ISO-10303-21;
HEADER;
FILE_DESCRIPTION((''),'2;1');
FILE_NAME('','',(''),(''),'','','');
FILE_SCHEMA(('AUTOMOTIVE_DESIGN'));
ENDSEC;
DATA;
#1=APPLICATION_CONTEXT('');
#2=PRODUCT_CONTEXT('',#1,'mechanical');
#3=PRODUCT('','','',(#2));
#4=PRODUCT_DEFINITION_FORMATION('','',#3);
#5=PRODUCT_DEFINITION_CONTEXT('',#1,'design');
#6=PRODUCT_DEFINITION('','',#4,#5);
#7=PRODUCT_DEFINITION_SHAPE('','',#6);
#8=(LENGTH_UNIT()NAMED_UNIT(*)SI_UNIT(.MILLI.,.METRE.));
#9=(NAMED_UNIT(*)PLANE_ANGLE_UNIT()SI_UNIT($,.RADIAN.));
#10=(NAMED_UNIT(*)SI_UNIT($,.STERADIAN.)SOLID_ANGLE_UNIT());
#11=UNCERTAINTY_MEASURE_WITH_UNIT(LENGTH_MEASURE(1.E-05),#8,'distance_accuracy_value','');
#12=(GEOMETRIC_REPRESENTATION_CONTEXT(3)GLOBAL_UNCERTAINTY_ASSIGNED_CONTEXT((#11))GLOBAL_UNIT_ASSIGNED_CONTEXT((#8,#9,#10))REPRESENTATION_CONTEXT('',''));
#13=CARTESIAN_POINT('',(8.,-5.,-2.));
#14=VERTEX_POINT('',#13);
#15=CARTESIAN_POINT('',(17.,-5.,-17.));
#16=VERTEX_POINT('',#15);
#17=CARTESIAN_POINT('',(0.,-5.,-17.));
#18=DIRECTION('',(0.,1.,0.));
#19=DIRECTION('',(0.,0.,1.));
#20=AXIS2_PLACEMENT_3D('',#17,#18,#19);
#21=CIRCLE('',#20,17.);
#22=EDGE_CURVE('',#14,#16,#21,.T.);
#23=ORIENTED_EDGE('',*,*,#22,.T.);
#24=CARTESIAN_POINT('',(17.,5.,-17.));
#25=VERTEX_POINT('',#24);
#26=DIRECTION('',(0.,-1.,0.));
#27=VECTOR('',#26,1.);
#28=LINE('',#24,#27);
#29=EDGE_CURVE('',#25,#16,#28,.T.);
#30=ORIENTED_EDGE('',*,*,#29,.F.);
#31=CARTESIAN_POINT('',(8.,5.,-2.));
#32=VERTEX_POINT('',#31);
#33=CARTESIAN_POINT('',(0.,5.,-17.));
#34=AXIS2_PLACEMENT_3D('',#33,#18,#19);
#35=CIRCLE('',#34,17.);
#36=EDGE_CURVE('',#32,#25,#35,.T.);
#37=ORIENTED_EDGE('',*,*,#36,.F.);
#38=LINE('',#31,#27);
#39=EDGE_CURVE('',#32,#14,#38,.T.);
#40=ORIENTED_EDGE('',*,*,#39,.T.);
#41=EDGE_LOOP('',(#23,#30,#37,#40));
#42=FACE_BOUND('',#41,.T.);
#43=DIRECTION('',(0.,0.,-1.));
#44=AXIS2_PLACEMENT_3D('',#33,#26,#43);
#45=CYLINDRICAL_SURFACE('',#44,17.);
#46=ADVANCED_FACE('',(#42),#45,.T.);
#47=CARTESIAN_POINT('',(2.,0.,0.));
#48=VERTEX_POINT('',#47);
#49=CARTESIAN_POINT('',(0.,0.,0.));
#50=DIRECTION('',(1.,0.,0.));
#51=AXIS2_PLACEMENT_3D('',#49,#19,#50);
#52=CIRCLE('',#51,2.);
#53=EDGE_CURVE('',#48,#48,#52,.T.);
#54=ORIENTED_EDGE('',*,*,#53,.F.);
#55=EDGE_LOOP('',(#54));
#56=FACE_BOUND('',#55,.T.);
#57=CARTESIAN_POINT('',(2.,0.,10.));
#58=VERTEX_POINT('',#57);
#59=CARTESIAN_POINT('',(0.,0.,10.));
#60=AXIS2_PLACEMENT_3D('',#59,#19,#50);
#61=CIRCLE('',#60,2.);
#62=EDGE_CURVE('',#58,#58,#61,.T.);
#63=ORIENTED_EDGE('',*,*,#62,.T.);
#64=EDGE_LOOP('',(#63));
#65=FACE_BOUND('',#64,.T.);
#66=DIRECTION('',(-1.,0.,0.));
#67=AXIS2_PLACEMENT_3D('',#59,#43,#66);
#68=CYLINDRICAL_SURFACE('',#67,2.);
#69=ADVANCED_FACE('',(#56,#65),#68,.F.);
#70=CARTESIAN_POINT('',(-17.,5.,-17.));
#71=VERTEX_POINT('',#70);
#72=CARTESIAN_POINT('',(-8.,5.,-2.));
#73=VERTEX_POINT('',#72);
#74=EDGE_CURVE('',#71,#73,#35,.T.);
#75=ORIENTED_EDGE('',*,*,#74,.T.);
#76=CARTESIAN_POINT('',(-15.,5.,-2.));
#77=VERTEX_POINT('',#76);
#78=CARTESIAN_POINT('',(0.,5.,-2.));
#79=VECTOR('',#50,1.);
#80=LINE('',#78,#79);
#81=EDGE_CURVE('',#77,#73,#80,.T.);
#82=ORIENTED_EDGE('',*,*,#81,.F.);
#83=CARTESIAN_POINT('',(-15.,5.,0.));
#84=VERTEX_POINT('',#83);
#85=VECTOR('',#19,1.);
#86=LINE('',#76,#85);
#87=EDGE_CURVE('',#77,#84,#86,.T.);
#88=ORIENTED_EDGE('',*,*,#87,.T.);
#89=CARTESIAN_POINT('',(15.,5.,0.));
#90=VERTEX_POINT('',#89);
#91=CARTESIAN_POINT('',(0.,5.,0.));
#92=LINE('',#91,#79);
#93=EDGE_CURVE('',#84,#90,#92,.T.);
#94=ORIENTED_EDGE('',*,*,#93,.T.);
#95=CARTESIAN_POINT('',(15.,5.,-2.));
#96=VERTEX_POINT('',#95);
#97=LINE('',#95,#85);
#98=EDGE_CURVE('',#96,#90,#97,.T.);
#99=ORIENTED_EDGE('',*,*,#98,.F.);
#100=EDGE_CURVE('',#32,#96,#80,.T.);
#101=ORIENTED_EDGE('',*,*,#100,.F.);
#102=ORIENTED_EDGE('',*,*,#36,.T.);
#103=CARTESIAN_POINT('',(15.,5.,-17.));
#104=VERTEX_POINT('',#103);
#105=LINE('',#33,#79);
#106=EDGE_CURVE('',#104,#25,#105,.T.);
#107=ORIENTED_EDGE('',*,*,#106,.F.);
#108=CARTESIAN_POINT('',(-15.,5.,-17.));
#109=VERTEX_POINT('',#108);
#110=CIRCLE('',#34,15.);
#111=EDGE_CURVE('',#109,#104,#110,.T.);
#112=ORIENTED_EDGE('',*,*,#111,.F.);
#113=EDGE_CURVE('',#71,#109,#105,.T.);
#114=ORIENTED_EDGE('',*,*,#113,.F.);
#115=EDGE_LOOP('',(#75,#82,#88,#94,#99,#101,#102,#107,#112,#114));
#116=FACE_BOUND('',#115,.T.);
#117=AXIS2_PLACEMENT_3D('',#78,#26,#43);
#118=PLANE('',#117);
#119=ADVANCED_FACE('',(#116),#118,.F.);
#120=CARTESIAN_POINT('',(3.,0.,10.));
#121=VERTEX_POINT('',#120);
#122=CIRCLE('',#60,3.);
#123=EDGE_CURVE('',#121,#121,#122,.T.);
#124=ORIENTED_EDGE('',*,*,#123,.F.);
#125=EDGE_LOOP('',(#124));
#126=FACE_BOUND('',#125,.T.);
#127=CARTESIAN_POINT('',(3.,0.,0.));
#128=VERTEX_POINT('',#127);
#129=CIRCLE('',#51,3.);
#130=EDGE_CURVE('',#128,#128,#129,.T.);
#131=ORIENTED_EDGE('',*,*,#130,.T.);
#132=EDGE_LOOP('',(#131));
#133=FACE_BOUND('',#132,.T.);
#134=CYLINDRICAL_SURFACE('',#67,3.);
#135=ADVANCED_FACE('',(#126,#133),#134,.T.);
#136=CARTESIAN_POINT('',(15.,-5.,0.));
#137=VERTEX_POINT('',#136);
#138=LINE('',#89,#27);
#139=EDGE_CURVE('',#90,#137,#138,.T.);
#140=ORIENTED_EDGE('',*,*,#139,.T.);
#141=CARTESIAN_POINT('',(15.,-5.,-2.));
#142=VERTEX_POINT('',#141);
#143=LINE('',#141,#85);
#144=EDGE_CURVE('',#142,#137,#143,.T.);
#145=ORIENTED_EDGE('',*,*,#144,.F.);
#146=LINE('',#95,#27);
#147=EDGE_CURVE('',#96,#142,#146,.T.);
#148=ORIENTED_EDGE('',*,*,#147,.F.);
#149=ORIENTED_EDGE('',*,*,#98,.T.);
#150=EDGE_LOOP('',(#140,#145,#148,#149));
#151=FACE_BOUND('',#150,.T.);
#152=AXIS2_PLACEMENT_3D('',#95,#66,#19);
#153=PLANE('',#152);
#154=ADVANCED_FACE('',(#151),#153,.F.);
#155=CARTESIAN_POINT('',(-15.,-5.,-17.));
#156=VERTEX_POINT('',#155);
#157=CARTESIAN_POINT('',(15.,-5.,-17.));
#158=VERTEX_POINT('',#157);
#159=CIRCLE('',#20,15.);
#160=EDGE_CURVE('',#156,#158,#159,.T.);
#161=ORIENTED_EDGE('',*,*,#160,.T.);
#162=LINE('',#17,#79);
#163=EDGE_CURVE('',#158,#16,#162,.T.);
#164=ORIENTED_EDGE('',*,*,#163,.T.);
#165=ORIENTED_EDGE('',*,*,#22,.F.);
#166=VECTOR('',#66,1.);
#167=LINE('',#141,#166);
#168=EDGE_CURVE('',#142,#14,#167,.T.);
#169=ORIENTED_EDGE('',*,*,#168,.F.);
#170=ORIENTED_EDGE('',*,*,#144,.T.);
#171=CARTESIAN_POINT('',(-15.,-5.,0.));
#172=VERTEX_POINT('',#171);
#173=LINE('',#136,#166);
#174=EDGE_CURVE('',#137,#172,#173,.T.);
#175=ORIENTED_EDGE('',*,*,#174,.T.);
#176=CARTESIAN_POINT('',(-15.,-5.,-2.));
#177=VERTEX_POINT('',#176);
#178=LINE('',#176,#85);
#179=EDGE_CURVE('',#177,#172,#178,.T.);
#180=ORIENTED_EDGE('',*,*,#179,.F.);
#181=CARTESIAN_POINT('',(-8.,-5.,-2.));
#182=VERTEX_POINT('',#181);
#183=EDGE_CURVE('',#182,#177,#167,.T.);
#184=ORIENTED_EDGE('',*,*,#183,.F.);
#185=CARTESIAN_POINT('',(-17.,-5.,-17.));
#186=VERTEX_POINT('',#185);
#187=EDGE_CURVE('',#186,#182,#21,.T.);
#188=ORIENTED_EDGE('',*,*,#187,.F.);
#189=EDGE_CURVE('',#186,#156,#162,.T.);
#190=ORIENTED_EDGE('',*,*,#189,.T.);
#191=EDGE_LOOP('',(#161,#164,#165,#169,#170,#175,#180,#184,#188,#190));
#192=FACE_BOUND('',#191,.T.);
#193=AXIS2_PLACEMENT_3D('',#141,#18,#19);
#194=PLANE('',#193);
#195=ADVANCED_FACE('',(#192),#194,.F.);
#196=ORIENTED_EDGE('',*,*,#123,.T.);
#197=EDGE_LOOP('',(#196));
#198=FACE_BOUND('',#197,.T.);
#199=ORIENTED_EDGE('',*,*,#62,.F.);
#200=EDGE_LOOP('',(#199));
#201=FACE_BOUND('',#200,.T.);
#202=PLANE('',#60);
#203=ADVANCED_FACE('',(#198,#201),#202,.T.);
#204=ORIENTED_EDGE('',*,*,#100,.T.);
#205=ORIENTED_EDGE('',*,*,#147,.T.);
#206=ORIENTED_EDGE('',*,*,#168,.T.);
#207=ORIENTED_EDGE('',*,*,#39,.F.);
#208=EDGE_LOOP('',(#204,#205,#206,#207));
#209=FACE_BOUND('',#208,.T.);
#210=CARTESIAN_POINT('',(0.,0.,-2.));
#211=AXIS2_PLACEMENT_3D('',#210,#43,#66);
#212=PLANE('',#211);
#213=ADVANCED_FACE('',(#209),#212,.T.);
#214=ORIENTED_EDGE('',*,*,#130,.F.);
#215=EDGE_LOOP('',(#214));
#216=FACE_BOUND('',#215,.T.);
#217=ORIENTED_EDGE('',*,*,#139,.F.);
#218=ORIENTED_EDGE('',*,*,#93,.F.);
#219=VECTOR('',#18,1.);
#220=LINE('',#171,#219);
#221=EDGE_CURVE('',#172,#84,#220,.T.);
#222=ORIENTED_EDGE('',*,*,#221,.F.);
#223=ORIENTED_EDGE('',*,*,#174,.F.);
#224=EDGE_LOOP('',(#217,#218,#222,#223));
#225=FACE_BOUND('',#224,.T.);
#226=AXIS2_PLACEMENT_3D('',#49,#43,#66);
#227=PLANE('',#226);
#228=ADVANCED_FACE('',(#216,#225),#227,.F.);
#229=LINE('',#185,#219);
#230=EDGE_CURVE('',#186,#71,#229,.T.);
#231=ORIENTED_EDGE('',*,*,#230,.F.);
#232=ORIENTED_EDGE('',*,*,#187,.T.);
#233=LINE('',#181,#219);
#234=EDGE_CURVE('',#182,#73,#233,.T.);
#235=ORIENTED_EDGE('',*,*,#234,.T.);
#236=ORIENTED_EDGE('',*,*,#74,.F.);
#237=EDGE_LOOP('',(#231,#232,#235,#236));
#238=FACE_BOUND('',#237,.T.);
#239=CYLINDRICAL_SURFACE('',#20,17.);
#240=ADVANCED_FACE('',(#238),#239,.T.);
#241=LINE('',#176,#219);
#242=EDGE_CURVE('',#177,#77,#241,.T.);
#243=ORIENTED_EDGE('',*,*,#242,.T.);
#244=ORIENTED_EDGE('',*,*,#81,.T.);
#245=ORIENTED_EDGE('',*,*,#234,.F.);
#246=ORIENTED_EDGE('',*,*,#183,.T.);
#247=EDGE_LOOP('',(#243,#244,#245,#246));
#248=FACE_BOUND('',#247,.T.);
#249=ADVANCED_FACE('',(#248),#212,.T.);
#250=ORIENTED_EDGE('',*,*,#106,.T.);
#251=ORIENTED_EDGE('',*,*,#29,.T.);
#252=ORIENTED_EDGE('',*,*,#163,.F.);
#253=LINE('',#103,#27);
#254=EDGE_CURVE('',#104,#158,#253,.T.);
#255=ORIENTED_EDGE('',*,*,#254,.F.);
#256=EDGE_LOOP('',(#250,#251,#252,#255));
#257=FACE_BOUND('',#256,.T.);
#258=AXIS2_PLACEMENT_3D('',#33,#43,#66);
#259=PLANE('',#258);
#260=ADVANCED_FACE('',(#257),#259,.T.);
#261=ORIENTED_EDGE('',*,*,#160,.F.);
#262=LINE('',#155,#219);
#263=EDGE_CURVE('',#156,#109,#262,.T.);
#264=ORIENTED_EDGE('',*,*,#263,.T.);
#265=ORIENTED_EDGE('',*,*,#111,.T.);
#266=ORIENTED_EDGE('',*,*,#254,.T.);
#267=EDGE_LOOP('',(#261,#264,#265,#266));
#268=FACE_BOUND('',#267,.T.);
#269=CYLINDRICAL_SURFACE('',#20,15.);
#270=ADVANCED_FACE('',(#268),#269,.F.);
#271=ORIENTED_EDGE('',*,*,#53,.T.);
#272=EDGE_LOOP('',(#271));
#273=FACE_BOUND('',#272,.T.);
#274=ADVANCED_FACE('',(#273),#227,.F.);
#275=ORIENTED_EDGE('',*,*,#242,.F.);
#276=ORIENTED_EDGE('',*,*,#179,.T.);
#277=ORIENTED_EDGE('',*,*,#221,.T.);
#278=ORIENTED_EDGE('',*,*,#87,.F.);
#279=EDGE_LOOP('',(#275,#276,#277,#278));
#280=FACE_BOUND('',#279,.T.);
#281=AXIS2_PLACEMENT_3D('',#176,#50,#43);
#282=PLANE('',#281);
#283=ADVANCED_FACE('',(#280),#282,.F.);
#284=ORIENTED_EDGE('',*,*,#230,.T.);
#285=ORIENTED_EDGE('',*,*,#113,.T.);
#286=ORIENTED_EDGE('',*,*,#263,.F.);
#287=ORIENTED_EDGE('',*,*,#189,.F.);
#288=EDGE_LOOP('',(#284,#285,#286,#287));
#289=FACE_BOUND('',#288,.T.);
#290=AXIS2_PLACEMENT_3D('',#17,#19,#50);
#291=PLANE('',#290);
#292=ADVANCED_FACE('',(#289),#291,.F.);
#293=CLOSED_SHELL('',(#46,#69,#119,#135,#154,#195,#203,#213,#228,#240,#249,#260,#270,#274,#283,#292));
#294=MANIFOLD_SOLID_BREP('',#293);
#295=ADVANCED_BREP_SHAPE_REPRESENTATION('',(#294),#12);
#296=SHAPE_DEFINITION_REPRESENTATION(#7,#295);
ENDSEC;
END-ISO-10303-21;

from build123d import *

# Parameters (mm, degrees)
SKETCH1_R                = 3
SKETCH1_R_2              = 2
BOSS_EXTRUDE1_DEPTH      = 10
BOSS_EXTRUDE2_DEPTH      = 2
BOSS_EXTRUDE3_DEPTH      = 5
BOSS_EXTRUDE3_DEPTH_BACK = 5


with BuildPart() as part:
    # Sketch1 → Boss-Extrude1 (new body)
    with BuildSketch(Plane.XY):
        Circle(SKETCH1_R)
        Circle(SKETCH1_R_2, mode=Mode.SUBTRACT)
    extrude(amount=BOSS_EXTRUDE1_DEPTH)

    # Sketch2 → Boss-Extrude2 (add)
    with BuildSketch(Plane(origin=(0, 0, 0), x_dir=(-1, 0, 0), z_dir=(0, 0, -1))):
        Polygon((0, 5), (15, 5), (15, -5), (-15, -5), (-15, 5), align=None)
    extrude(amount=BOSS_EXTRUDE2_DEPTH)

    # Sketch4 → Boss-Extrude3 (add, two sides: drawn at the far end of the back side and taken through both)
    with BuildSketch(Plane(origin=(0, 0, 0), x_dir=(1, 0, 0), z_dir=(0, 1, 0)).offset(-BOSS_EXTRUDE3_DEPTH_BACK)):
        with BuildLine():
            ThreePointArc((-17, 17), (-14.577379737, 8.253572158), (-8, 2))
            Line((-8, 2), (-2.6e-08, 2))
            ThreePointArc((-2.6e-08, 2), (-10.606601727, 6.393398292), (-15, 17))
            Line((-15, 17), (-17, 17))
        make_face()
        with BuildLine():
            ThreePointArc((15, 17), (10.606601708, 6.393398273), (-2.6e-08, 2))
            Line((-2.6e-08, 2), (8, 2))
            ThreePointArc((8, 2), (14.577379737, 8.253572158), (17, 17))
            Line((17, 17), (15, 17))
        make_face()
    extrude(amount=BOSS_EXTRUDE3_DEPTH + BOSS_EXTRUDE3_DEPTH_BACK)


solid = part.part
